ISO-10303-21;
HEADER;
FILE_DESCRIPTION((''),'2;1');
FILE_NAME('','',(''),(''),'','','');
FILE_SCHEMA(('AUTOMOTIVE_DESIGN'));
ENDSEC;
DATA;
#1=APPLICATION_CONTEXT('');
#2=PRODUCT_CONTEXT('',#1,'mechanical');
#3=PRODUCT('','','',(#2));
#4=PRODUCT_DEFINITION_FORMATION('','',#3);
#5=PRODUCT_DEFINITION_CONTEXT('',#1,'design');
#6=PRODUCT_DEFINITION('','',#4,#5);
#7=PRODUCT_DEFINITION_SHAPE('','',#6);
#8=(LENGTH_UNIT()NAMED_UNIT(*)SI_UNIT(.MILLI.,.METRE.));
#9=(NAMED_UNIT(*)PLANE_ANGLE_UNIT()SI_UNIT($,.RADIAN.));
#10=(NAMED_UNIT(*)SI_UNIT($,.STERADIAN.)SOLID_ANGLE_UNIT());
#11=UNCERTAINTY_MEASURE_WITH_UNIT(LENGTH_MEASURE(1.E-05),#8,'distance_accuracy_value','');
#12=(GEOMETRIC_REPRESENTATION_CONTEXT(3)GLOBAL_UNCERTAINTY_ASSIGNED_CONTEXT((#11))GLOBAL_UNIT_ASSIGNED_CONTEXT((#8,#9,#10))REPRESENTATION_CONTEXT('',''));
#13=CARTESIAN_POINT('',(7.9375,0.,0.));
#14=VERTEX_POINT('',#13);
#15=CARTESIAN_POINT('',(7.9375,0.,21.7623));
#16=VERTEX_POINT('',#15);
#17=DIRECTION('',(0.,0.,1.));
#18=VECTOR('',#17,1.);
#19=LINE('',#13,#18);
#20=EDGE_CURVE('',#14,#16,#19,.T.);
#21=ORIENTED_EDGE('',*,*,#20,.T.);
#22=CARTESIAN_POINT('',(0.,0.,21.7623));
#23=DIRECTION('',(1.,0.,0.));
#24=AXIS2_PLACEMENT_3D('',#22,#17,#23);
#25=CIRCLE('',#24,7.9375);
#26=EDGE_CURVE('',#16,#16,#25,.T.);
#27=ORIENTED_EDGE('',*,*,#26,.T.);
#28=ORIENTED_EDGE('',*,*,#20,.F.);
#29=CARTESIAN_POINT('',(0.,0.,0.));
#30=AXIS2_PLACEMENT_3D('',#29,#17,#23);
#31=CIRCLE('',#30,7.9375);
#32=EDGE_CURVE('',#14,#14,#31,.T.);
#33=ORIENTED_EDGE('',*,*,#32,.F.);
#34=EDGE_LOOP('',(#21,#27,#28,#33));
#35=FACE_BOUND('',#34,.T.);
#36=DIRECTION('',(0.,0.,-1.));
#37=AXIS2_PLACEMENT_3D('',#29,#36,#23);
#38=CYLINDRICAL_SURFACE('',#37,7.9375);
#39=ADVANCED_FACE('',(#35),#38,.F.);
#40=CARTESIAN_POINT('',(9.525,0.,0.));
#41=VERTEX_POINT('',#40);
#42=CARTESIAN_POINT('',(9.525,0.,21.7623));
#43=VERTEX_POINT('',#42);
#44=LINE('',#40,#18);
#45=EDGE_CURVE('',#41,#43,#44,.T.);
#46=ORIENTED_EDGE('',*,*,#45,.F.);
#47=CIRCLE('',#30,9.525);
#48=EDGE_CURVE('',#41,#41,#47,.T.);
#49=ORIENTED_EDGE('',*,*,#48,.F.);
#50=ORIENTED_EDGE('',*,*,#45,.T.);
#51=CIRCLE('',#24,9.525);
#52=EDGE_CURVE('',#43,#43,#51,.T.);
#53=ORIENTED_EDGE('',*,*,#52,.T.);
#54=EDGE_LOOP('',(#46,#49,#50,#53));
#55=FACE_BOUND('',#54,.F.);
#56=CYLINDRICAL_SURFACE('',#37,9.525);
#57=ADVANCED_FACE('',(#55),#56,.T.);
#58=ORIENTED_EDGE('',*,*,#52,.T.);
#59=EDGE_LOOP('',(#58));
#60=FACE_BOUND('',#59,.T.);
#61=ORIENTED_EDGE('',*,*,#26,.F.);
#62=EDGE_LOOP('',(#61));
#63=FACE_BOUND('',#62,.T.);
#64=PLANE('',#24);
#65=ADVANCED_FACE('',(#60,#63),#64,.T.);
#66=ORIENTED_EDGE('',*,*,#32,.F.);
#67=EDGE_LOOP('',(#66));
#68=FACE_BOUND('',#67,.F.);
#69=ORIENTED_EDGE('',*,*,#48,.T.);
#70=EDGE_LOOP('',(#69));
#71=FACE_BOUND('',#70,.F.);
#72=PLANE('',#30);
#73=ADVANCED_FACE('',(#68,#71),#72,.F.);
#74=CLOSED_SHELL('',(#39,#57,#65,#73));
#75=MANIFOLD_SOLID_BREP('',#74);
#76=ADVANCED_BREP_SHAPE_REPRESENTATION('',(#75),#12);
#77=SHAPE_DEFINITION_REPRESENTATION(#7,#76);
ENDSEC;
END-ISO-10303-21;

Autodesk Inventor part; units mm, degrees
ref_plane "YZ Plane" through (0, 0, 0) normal (1, 0, 0) x (0, 1, 0)
ref_plane "XZ Plane" through (0, 0, 0) normal (0, 1, 0) x (-1, 0, 0)
ref_plane "XY Plane" through (0, 0, 0) normal (0, 0, 1) x (1, 0, 0)
sketch "Sketch1" plane through (0, 0, 0) normal (0, 0, 1) x (1, 0, 0)
  circle A0 centre (0, 0) radius 9.525
  circle A1 centre (0, 0) radius 7.9375
  dimension "d0" = 19.05
  dimension "d1" = 15.875
extrude "Extrusion1" add sketch "Sketch1" along normal blind 21.7623
properties part number "Shaft Spacer Part3" material "PVC-Piping"
